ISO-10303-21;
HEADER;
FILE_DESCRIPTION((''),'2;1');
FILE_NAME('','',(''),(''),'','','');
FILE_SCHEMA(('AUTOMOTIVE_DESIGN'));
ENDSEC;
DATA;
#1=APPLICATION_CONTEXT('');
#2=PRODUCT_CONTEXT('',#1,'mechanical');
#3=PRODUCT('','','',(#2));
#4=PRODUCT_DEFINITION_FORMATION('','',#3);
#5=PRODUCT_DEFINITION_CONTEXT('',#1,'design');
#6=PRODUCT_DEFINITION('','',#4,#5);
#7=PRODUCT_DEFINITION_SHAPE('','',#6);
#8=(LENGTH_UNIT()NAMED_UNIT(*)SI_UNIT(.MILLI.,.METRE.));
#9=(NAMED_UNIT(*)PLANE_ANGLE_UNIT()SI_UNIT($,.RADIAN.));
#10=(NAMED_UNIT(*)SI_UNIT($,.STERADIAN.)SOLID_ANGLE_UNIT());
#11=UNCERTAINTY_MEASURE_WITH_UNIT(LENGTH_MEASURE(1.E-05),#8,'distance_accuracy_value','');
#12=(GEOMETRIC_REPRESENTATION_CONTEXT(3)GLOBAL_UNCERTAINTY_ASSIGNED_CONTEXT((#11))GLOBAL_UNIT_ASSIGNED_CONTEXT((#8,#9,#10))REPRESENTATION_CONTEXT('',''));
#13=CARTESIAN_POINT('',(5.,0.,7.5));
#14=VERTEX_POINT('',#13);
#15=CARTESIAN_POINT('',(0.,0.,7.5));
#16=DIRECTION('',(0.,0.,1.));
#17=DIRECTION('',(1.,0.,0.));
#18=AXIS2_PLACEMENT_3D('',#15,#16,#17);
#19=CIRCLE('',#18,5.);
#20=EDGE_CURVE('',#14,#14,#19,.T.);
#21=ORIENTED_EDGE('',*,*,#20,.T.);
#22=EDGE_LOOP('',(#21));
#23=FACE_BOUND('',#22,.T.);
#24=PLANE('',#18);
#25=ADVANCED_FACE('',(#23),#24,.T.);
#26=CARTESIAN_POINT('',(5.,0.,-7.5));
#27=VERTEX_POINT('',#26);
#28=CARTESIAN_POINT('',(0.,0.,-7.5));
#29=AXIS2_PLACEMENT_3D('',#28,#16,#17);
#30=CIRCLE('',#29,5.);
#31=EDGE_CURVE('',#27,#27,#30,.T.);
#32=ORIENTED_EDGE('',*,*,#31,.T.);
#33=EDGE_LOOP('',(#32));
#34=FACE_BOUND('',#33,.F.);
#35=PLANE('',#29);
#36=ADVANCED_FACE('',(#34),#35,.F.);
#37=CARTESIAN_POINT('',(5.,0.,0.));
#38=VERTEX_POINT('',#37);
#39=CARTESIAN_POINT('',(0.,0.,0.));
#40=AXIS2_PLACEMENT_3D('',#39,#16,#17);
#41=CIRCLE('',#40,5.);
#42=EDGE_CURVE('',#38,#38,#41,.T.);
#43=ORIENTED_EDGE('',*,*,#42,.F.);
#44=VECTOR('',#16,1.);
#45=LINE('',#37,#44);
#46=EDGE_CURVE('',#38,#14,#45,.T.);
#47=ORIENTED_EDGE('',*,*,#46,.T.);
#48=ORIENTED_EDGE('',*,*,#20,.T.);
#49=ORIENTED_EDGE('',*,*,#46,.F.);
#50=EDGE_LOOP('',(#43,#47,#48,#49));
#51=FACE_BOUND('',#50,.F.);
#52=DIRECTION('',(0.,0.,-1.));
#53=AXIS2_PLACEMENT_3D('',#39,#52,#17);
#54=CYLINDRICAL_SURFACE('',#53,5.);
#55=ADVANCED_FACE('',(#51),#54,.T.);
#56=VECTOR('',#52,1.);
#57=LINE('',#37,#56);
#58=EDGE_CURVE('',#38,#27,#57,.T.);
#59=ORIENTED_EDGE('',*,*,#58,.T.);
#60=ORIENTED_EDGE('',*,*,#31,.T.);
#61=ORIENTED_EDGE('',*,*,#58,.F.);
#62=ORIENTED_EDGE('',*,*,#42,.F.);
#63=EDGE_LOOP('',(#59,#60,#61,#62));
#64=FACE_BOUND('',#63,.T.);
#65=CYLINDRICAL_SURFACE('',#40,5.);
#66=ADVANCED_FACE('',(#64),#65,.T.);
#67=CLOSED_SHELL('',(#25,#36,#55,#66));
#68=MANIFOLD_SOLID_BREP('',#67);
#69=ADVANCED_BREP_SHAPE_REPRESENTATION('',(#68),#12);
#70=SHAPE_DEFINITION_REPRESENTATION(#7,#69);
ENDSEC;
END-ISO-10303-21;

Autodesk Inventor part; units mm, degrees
ref_plane "YZ Plane" through (0, 0, 0) normal (1, 0, 0) x (0, 1, 0)
ref_plane "XZ Plane" through (0, 0, 0) normal (0, 1, 0) x (-1, 0, 0)
ref_plane "XY Plane" through (0, 0, 0) normal (0, 0, 1) x (1, 0, 0)
sketch "Sketch1" plane through (0, 0, 0) normal (0, 0, 1) x (1, 0, 0)
  circle A0 centre (0, 0) radius 5
  dimension "d0" = 10
extrude "Extrusion1" add sketch "Sketch1" along normal mid plane 15
properties part number "Pin"
